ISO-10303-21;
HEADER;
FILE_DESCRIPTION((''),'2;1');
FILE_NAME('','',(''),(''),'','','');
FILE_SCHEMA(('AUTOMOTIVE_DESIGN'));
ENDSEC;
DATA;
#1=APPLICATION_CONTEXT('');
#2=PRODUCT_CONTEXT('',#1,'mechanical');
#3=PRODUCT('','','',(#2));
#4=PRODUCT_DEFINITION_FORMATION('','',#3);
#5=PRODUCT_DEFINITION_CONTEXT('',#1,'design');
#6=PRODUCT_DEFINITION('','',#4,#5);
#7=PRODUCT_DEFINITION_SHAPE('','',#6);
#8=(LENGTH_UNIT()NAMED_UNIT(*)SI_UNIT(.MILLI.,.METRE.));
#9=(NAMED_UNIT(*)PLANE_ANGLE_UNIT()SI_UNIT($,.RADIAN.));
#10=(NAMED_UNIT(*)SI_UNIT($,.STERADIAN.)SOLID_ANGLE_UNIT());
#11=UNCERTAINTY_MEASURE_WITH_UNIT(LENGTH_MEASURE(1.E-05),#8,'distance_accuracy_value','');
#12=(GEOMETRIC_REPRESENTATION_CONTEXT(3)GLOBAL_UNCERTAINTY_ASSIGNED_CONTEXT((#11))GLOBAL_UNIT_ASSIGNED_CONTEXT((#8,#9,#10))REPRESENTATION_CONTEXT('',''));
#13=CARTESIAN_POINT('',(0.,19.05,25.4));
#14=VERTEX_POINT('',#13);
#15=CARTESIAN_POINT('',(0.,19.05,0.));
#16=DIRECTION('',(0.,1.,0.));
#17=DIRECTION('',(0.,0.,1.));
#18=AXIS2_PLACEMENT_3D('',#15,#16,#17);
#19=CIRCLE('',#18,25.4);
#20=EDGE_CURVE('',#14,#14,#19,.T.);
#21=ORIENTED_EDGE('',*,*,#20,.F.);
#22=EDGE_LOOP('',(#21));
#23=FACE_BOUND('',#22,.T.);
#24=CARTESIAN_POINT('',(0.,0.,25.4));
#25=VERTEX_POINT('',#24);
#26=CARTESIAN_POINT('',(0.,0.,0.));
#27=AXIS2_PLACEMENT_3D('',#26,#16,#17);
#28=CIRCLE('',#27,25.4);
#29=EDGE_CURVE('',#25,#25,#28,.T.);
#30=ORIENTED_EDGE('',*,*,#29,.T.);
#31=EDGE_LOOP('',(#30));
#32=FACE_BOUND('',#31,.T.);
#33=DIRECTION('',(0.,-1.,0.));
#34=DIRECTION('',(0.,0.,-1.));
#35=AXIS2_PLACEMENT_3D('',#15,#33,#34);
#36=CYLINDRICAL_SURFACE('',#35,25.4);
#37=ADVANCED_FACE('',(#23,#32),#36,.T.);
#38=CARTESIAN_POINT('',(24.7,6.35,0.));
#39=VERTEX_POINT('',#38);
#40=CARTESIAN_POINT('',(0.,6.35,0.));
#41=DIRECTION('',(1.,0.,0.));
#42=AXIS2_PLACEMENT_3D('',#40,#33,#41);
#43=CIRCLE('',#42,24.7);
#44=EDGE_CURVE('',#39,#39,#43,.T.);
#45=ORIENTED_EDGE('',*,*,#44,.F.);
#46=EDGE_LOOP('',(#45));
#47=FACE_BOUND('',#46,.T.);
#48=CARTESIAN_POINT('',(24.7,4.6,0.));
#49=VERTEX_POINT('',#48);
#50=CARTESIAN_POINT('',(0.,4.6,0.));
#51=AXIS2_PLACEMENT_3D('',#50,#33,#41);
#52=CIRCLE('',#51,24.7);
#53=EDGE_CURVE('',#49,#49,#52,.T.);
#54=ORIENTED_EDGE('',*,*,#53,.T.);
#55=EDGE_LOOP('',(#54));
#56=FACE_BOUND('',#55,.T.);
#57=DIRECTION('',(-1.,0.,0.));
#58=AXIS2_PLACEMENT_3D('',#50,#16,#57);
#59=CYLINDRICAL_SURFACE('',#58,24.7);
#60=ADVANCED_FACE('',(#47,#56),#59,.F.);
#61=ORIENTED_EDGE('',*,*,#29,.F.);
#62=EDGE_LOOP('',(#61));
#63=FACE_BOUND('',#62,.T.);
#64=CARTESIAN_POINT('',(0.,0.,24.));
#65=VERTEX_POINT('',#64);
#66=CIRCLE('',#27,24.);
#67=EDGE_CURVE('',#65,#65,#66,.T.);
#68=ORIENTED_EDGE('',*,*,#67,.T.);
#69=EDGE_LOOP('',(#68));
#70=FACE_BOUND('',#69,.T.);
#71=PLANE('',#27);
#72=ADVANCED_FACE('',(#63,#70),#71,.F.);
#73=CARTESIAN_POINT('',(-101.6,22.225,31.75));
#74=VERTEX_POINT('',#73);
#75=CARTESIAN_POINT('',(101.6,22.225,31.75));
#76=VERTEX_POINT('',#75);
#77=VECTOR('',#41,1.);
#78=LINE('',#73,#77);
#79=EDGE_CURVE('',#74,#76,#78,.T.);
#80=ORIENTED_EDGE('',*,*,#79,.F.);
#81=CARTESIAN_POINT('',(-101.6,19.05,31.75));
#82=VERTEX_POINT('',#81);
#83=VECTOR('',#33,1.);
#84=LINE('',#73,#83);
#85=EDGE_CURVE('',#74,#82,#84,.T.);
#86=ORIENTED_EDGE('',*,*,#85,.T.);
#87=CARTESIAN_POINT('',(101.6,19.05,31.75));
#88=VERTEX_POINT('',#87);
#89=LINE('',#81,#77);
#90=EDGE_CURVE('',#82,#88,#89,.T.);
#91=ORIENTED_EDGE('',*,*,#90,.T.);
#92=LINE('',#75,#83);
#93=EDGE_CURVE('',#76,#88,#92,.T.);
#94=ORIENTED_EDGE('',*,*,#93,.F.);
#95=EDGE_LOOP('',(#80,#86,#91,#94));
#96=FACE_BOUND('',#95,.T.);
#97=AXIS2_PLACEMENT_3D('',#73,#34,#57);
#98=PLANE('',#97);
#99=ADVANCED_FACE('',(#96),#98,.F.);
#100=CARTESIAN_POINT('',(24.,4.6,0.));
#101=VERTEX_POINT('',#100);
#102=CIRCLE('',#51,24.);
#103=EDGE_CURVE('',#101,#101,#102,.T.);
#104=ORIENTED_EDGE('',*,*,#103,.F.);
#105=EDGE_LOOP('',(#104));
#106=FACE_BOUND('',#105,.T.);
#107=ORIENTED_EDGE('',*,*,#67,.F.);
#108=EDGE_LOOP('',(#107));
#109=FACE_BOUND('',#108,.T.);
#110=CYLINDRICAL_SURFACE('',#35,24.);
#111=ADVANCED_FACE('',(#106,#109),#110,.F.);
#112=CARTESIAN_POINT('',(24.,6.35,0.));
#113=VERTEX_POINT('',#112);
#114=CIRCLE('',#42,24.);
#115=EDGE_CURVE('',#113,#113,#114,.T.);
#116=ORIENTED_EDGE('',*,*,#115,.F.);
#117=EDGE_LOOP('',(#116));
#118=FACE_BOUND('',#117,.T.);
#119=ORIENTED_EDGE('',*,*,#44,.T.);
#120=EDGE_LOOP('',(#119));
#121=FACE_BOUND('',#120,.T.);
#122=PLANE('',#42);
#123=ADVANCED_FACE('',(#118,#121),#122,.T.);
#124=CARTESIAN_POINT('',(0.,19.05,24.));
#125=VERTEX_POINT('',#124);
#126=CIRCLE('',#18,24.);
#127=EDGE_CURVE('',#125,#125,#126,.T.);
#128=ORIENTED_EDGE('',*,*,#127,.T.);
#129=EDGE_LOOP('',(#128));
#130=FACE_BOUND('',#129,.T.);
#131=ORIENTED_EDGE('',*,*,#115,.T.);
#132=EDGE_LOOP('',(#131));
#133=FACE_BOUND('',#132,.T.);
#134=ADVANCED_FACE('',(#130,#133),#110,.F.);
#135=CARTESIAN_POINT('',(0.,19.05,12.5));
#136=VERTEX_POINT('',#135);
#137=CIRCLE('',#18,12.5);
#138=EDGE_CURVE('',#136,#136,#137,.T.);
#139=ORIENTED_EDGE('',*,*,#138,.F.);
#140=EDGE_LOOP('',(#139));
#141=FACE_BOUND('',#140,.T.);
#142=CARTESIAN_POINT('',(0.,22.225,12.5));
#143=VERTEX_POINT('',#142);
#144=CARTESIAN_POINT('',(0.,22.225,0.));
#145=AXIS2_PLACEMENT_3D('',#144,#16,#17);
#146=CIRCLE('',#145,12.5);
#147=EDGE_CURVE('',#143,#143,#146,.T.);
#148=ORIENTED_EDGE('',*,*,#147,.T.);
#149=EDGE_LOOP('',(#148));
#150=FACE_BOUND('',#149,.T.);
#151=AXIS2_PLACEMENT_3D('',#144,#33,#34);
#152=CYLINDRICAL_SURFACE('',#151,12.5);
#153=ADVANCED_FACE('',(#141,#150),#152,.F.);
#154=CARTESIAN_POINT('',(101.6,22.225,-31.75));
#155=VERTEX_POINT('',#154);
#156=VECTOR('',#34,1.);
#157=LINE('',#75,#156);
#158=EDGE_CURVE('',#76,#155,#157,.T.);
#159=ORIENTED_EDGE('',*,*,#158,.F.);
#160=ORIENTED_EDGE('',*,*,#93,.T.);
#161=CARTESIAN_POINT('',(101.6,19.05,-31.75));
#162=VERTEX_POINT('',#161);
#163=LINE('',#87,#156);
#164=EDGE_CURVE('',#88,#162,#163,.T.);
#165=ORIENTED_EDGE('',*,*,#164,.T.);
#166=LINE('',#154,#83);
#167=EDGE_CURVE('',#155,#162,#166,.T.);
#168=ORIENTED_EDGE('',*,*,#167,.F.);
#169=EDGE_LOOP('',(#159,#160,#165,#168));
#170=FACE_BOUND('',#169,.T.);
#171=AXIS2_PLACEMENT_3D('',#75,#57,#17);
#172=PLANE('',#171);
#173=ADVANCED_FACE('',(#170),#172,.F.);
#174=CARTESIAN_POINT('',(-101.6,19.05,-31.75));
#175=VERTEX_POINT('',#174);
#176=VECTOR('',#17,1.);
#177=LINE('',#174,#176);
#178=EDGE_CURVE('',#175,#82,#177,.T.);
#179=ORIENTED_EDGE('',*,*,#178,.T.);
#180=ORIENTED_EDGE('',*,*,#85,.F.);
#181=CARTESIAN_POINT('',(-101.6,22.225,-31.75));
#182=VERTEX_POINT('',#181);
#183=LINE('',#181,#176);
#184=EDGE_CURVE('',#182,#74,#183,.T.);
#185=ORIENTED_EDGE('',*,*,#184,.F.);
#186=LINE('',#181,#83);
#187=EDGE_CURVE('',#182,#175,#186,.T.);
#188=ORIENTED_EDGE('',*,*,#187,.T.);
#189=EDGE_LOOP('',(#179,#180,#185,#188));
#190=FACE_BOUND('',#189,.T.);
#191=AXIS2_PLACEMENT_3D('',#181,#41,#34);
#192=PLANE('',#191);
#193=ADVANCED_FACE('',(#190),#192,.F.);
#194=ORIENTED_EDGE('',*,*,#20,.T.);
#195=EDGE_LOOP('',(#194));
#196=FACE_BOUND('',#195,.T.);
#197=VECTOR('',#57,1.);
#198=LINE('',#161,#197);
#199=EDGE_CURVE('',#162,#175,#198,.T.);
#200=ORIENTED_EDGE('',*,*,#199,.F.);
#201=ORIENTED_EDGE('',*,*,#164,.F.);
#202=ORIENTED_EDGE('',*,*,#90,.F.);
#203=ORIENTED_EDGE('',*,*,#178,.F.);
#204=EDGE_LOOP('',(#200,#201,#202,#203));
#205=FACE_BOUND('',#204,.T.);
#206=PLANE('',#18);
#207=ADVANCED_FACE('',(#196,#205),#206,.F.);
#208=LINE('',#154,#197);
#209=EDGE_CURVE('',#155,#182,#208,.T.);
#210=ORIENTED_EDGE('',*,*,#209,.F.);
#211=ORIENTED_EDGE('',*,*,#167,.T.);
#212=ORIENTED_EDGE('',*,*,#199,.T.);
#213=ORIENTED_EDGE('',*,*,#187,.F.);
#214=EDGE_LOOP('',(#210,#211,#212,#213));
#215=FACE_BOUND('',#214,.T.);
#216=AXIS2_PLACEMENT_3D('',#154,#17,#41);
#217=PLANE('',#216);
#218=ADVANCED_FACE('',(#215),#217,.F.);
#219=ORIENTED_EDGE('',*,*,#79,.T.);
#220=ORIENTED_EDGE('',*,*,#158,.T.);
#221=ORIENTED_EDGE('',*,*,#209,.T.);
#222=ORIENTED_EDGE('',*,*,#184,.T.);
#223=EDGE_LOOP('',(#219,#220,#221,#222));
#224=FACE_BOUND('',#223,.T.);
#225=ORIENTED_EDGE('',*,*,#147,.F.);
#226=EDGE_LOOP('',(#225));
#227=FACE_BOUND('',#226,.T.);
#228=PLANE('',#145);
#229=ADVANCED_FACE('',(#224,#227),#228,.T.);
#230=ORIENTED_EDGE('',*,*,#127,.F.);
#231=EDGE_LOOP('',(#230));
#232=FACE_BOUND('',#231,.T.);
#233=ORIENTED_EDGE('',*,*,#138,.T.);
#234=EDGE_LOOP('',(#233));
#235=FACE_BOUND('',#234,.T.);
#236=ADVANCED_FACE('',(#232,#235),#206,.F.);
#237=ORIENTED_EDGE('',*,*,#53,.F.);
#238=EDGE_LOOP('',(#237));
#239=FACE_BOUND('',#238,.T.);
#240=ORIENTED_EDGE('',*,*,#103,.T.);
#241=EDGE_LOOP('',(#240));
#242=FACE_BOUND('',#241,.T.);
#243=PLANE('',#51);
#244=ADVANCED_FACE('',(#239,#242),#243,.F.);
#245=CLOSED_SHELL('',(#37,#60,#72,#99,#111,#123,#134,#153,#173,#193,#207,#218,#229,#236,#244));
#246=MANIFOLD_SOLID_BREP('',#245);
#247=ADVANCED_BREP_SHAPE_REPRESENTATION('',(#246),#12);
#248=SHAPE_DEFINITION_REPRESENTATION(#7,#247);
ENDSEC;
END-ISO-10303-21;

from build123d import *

# Parameters (mm, degrees)
SKETCH1_R           = 25.4
SKETCH1_R_2         = 24
BOSS_EXTRUDE1_DEPTH = 19.05
SKETCH3_R           = 24.7
CUT_EXTRUDE1_DEPTH  = 1.75
SKETCH4_W           = 203.2
SKETCH4_H           = 63.5
SKETCH4_R           = 12.5
BOSS_EXTRUDE2_DEPTH = 3.175


with BuildPart() as part:
    # Sketch1 → Boss-Extrude1 (new body)
    with BuildSketch(Plane(origin=(0, 0, 0), x_dir=(1, 0, 0), z_dir=(0, 1, 0))):
        Circle(SKETCH1_R)
        Circle(SKETCH1_R_2, mode=Mode.SUBTRACT)
    extrude(amount=BOSS_EXTRUDE1_DEPTH)

    # Sketch3 → Cut-Extrude1 (cut)
    with BuildSketch(Plane(origin=(0, 6.35, 0), x_dir=(-1, 0, 0), z_dir=(0, -1, 0))):
        Circle(SKETCH3_R)
    extrude(amount=CUT_EXTRUDE1_DEPTH, mode=Mode.SUBTRACT)

    # Sketch4 → Boss-Extrude2 (add)
    with BuildSketch(Plane(origin=(0, 19.05, 0), x_dir=(1, 0, 0), z_dir=(0, 1, 0))):
        Rectangle(SKETCH4_W, SKETCH4_H)
        Circle(SKETCH4_R, mode=Mode.SUBTRACT)
    extrude(amount=BOSS_EXTRUDE2_DEPTH)


solid = part.part
